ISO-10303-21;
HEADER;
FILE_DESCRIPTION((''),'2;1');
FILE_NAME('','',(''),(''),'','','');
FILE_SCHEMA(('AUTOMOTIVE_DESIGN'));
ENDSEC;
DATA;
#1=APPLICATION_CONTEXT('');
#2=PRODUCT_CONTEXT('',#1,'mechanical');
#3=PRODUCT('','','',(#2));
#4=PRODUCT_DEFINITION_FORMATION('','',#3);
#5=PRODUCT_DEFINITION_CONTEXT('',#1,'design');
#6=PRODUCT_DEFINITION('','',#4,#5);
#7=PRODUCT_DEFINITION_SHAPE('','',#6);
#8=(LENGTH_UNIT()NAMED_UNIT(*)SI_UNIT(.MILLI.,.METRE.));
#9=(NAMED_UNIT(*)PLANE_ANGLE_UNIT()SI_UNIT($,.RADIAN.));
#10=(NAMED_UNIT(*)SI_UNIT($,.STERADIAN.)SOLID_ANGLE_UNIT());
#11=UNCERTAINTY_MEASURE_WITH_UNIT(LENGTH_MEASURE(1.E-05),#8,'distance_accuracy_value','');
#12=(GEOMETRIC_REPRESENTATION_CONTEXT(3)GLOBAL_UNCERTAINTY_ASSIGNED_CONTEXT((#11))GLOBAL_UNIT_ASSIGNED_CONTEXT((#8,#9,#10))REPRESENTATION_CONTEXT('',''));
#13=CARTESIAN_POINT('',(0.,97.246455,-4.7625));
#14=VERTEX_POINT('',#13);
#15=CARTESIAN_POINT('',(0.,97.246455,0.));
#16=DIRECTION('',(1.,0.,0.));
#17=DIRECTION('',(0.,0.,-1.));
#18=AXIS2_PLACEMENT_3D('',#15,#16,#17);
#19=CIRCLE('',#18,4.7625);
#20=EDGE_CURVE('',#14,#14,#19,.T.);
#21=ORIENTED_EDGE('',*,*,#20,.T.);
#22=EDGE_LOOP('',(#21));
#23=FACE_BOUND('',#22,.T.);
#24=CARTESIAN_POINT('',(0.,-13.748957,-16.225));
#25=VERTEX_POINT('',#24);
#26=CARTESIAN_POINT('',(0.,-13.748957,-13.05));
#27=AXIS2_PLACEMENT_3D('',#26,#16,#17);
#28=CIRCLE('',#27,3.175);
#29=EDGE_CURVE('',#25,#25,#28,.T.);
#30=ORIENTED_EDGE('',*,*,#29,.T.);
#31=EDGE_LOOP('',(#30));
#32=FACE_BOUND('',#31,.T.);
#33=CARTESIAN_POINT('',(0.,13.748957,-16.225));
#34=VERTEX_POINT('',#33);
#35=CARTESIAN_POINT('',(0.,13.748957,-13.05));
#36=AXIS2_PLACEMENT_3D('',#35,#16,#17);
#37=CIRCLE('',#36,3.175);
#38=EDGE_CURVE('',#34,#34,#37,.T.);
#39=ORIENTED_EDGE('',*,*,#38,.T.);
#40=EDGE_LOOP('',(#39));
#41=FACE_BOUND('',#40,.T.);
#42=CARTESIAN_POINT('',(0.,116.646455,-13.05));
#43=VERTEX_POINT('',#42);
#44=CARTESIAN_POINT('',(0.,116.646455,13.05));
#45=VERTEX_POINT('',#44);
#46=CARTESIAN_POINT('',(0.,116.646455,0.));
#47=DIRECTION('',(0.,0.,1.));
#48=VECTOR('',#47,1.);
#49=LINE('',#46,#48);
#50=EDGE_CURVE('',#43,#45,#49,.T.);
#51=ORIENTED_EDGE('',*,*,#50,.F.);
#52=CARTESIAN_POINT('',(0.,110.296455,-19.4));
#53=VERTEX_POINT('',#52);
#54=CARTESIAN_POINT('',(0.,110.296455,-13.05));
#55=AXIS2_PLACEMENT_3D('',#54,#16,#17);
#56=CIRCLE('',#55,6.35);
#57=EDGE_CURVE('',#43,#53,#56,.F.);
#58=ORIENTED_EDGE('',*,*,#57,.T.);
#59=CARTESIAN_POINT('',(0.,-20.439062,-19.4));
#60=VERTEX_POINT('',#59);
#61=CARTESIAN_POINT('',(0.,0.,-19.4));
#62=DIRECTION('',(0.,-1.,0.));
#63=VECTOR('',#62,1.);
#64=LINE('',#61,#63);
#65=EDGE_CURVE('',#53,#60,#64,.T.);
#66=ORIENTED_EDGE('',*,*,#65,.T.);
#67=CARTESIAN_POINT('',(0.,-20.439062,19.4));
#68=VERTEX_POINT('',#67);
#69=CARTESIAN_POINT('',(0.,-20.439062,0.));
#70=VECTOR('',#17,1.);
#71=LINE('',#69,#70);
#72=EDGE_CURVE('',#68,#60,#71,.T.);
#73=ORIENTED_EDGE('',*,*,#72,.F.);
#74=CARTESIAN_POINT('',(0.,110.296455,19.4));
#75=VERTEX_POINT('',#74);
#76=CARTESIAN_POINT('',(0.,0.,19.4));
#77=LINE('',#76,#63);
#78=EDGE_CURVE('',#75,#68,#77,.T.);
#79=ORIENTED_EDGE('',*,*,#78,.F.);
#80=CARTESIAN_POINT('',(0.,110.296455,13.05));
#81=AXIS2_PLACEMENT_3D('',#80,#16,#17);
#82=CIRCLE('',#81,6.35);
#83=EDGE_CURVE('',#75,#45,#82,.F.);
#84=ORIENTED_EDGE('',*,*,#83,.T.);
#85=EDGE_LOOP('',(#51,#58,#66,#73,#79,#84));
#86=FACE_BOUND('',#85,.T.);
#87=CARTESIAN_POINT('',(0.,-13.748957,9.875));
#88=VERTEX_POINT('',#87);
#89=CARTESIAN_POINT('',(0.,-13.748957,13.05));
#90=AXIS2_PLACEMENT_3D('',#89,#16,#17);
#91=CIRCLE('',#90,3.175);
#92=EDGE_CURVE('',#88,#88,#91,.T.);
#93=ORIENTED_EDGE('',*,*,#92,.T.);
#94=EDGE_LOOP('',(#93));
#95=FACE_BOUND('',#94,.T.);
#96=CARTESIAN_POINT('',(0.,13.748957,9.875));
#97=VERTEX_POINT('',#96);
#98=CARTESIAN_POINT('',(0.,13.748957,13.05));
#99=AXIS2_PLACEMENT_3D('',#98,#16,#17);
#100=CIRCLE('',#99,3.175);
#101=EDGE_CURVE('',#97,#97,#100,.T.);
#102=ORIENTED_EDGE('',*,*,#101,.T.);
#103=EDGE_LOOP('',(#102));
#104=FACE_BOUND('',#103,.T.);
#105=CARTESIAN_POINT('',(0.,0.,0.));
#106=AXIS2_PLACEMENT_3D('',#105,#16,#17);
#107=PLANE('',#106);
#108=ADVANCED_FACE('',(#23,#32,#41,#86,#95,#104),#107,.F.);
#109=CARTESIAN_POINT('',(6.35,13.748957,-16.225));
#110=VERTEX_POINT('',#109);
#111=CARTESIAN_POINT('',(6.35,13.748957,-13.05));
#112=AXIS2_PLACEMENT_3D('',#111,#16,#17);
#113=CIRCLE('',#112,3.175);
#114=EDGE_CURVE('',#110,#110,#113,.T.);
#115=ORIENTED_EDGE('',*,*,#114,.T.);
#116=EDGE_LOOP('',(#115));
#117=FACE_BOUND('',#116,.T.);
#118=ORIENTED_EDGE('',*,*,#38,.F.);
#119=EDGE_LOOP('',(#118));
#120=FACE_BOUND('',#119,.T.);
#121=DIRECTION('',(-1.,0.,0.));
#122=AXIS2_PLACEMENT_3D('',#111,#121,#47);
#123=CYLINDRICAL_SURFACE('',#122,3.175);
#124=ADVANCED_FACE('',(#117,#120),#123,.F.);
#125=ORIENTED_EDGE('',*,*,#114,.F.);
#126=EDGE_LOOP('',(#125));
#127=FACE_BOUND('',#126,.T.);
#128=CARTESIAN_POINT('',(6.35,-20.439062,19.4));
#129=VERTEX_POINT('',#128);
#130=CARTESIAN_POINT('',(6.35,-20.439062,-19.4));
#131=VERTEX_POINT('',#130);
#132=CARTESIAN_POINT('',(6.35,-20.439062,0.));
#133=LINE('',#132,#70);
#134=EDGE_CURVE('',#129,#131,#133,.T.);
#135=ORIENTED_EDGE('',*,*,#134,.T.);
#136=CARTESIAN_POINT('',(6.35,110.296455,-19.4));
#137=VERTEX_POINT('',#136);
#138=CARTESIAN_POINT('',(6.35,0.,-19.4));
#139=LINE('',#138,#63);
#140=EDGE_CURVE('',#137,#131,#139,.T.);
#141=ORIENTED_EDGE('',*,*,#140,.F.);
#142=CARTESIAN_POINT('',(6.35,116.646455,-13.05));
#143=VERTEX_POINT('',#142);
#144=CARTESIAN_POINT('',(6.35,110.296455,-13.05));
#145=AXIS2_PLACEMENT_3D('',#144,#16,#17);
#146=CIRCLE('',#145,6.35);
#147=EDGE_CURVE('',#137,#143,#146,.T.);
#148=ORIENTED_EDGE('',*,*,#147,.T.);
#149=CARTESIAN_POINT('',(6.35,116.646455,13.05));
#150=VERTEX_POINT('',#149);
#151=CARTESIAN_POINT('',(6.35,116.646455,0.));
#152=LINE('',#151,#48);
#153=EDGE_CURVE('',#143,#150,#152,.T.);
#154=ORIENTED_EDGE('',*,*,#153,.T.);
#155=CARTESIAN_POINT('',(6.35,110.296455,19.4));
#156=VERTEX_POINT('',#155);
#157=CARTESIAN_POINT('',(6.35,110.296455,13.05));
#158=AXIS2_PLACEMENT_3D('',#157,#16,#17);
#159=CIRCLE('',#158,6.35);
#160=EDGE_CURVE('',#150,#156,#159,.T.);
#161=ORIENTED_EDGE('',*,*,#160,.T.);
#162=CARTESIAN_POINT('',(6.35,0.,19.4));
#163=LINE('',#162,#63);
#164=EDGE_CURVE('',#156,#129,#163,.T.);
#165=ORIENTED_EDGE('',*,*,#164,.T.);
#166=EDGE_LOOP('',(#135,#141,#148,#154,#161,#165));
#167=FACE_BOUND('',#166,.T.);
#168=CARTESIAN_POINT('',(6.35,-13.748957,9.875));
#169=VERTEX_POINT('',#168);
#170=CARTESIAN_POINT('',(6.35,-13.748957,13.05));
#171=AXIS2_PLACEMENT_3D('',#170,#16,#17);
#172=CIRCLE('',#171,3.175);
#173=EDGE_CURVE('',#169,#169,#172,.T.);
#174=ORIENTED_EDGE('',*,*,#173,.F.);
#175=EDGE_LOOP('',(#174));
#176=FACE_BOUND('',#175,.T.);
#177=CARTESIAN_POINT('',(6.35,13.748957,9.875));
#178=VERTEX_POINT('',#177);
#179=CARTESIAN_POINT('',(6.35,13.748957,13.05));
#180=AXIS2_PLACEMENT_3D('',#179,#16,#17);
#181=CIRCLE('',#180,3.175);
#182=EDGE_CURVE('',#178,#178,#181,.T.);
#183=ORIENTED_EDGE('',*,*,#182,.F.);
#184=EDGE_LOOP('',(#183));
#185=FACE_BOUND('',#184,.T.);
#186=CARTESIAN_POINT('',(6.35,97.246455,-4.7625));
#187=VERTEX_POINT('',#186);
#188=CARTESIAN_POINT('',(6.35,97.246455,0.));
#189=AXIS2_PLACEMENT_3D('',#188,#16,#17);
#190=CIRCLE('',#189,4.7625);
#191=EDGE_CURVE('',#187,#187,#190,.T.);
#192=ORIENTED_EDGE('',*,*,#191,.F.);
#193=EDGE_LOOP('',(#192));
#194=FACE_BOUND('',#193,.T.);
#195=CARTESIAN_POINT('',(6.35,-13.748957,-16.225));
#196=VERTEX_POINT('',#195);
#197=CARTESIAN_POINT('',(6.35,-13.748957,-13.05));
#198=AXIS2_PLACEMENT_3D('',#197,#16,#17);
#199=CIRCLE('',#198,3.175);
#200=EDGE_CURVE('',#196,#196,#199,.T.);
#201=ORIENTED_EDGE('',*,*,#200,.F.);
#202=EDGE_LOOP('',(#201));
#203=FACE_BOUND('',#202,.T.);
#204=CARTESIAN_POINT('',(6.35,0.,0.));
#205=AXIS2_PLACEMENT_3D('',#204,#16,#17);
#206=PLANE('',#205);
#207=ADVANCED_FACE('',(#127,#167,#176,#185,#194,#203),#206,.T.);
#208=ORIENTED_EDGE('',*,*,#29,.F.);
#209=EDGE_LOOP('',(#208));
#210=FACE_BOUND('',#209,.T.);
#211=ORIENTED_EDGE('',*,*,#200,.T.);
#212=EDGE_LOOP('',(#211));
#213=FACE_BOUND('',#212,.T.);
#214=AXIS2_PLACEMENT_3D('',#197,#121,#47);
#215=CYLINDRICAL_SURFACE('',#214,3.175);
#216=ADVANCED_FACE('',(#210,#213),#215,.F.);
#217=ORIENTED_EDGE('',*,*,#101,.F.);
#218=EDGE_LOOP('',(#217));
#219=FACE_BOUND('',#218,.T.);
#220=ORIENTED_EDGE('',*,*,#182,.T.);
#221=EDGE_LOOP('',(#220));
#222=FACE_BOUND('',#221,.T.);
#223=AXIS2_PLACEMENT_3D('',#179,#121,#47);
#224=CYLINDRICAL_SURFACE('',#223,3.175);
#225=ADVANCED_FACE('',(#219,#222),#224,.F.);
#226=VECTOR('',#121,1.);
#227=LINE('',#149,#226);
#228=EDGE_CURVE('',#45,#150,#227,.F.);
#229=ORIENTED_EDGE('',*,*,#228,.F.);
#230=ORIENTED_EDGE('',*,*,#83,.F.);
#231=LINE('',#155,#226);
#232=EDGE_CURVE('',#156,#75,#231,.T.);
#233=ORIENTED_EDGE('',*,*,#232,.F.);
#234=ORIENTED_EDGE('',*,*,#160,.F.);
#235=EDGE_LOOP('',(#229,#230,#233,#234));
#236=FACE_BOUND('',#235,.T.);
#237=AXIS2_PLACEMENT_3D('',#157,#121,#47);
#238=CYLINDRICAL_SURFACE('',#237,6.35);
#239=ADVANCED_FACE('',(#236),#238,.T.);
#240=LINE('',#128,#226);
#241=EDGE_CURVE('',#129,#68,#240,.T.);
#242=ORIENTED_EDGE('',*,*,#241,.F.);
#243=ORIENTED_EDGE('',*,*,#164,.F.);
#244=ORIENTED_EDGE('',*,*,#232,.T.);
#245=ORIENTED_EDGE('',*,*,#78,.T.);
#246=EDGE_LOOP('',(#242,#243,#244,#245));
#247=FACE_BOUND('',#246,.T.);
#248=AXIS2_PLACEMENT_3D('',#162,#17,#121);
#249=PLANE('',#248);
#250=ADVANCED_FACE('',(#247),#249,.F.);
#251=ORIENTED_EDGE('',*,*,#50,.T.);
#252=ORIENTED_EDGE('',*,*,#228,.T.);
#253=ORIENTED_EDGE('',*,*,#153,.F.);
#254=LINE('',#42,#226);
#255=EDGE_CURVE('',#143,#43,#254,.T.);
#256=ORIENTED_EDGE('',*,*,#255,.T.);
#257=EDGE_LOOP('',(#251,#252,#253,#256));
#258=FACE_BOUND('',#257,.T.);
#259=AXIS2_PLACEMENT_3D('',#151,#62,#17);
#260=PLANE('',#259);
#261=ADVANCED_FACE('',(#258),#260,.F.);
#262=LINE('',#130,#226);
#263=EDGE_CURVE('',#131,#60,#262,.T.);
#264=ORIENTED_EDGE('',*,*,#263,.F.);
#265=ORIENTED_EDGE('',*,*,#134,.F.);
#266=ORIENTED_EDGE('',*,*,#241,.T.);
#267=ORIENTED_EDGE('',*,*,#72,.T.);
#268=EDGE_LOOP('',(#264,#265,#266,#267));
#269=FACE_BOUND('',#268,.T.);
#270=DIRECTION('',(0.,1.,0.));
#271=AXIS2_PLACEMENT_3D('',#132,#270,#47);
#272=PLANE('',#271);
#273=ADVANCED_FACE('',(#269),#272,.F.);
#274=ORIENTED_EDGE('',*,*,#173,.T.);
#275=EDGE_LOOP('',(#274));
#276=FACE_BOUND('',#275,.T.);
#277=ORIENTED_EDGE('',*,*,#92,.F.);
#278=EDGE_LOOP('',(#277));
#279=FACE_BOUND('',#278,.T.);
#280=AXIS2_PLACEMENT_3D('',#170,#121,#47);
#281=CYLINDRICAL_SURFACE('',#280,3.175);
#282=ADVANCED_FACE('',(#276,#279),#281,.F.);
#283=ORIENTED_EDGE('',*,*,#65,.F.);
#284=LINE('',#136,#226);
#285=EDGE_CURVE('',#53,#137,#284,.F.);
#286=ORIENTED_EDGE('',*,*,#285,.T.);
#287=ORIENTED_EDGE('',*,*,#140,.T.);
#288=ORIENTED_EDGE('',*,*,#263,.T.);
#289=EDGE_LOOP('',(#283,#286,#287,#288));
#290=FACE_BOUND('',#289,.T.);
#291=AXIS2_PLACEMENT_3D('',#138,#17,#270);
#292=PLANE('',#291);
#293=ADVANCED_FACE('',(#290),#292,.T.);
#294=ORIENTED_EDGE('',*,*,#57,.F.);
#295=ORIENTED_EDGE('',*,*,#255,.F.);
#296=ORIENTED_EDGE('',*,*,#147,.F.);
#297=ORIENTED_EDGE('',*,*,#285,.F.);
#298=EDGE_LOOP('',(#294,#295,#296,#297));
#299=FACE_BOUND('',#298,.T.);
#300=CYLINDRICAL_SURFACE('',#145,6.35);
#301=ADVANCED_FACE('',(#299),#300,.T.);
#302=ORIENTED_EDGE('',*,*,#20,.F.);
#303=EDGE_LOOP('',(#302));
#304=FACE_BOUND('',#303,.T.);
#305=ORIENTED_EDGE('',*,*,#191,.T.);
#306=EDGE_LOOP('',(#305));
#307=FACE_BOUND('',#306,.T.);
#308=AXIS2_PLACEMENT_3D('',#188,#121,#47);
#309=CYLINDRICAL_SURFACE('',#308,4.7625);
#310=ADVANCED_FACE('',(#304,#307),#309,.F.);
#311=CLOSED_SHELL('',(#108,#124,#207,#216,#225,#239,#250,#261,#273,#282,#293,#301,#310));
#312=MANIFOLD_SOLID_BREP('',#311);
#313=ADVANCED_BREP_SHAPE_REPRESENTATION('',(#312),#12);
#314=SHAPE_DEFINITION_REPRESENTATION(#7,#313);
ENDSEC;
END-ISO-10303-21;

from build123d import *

# Parameters (mm, degrees)
SKETCH1_R           = 4.762500002
SKETCH1_W           = 38.8
SKETCH1_H           = 40.878125
SKETCH1_R_2         = 3.175
BOSS_EXTRUDE1_DEPTH = 6.35
FILLET1_R           = 6.35


with BuildPart() as part:
    # Sketch1 → Boss-Extrude1 (new body)
    with BuildSketch(Plane(origin=(0, 0, 0), x_dir=(0, 0, -1), z_dir=(1, 0, 0))):
        Polygon((19.4, 20.4390625), (-19.4, 20.4390625), (-19.4, 77.846455089), (-19.4, 116.646455089), (19.4, 116.646455089), (19.4, 77.846455095), align=None)
        with Locations((0, 97.246455089)):
            Circle(SKETCH1_R, mode=Mode.SUBTRACT)
        Rectangle(SKETCH1_W, SKETCH1_H)
        with Locations((13.05, -13.748956991)):
            Circle(SKETCH1_R_2, mode=Mode.SUBTRACT)
        with Locations((-13.05, -13.748956991)):
            Circle(SKETCH1_R_2, mode=Mode.SUBTRACT)
        with Locations((13.05, 13.748956991)):
            Circle(SKETCH1_R_2, mode=Mode.SUBTRACT)
        with Locations((-13.05, 13.748956991)):
            Circle(SKETCH1_R_2, mode=Mode.SUBTRACT)
    extrude(amount=BOSS_EXTRUDE1_DEPTH)

    # Fillet1
    fillet1_edges = [part.edges().sort_by_distance(p)[0] for p in [
        (3.175, 116.646455089, 19.4),
        (3.175, 116.646455089, -19.4),
    ]]
    fillet(fillet1_edges, radius=FILLET1_R)


solid = part.part
